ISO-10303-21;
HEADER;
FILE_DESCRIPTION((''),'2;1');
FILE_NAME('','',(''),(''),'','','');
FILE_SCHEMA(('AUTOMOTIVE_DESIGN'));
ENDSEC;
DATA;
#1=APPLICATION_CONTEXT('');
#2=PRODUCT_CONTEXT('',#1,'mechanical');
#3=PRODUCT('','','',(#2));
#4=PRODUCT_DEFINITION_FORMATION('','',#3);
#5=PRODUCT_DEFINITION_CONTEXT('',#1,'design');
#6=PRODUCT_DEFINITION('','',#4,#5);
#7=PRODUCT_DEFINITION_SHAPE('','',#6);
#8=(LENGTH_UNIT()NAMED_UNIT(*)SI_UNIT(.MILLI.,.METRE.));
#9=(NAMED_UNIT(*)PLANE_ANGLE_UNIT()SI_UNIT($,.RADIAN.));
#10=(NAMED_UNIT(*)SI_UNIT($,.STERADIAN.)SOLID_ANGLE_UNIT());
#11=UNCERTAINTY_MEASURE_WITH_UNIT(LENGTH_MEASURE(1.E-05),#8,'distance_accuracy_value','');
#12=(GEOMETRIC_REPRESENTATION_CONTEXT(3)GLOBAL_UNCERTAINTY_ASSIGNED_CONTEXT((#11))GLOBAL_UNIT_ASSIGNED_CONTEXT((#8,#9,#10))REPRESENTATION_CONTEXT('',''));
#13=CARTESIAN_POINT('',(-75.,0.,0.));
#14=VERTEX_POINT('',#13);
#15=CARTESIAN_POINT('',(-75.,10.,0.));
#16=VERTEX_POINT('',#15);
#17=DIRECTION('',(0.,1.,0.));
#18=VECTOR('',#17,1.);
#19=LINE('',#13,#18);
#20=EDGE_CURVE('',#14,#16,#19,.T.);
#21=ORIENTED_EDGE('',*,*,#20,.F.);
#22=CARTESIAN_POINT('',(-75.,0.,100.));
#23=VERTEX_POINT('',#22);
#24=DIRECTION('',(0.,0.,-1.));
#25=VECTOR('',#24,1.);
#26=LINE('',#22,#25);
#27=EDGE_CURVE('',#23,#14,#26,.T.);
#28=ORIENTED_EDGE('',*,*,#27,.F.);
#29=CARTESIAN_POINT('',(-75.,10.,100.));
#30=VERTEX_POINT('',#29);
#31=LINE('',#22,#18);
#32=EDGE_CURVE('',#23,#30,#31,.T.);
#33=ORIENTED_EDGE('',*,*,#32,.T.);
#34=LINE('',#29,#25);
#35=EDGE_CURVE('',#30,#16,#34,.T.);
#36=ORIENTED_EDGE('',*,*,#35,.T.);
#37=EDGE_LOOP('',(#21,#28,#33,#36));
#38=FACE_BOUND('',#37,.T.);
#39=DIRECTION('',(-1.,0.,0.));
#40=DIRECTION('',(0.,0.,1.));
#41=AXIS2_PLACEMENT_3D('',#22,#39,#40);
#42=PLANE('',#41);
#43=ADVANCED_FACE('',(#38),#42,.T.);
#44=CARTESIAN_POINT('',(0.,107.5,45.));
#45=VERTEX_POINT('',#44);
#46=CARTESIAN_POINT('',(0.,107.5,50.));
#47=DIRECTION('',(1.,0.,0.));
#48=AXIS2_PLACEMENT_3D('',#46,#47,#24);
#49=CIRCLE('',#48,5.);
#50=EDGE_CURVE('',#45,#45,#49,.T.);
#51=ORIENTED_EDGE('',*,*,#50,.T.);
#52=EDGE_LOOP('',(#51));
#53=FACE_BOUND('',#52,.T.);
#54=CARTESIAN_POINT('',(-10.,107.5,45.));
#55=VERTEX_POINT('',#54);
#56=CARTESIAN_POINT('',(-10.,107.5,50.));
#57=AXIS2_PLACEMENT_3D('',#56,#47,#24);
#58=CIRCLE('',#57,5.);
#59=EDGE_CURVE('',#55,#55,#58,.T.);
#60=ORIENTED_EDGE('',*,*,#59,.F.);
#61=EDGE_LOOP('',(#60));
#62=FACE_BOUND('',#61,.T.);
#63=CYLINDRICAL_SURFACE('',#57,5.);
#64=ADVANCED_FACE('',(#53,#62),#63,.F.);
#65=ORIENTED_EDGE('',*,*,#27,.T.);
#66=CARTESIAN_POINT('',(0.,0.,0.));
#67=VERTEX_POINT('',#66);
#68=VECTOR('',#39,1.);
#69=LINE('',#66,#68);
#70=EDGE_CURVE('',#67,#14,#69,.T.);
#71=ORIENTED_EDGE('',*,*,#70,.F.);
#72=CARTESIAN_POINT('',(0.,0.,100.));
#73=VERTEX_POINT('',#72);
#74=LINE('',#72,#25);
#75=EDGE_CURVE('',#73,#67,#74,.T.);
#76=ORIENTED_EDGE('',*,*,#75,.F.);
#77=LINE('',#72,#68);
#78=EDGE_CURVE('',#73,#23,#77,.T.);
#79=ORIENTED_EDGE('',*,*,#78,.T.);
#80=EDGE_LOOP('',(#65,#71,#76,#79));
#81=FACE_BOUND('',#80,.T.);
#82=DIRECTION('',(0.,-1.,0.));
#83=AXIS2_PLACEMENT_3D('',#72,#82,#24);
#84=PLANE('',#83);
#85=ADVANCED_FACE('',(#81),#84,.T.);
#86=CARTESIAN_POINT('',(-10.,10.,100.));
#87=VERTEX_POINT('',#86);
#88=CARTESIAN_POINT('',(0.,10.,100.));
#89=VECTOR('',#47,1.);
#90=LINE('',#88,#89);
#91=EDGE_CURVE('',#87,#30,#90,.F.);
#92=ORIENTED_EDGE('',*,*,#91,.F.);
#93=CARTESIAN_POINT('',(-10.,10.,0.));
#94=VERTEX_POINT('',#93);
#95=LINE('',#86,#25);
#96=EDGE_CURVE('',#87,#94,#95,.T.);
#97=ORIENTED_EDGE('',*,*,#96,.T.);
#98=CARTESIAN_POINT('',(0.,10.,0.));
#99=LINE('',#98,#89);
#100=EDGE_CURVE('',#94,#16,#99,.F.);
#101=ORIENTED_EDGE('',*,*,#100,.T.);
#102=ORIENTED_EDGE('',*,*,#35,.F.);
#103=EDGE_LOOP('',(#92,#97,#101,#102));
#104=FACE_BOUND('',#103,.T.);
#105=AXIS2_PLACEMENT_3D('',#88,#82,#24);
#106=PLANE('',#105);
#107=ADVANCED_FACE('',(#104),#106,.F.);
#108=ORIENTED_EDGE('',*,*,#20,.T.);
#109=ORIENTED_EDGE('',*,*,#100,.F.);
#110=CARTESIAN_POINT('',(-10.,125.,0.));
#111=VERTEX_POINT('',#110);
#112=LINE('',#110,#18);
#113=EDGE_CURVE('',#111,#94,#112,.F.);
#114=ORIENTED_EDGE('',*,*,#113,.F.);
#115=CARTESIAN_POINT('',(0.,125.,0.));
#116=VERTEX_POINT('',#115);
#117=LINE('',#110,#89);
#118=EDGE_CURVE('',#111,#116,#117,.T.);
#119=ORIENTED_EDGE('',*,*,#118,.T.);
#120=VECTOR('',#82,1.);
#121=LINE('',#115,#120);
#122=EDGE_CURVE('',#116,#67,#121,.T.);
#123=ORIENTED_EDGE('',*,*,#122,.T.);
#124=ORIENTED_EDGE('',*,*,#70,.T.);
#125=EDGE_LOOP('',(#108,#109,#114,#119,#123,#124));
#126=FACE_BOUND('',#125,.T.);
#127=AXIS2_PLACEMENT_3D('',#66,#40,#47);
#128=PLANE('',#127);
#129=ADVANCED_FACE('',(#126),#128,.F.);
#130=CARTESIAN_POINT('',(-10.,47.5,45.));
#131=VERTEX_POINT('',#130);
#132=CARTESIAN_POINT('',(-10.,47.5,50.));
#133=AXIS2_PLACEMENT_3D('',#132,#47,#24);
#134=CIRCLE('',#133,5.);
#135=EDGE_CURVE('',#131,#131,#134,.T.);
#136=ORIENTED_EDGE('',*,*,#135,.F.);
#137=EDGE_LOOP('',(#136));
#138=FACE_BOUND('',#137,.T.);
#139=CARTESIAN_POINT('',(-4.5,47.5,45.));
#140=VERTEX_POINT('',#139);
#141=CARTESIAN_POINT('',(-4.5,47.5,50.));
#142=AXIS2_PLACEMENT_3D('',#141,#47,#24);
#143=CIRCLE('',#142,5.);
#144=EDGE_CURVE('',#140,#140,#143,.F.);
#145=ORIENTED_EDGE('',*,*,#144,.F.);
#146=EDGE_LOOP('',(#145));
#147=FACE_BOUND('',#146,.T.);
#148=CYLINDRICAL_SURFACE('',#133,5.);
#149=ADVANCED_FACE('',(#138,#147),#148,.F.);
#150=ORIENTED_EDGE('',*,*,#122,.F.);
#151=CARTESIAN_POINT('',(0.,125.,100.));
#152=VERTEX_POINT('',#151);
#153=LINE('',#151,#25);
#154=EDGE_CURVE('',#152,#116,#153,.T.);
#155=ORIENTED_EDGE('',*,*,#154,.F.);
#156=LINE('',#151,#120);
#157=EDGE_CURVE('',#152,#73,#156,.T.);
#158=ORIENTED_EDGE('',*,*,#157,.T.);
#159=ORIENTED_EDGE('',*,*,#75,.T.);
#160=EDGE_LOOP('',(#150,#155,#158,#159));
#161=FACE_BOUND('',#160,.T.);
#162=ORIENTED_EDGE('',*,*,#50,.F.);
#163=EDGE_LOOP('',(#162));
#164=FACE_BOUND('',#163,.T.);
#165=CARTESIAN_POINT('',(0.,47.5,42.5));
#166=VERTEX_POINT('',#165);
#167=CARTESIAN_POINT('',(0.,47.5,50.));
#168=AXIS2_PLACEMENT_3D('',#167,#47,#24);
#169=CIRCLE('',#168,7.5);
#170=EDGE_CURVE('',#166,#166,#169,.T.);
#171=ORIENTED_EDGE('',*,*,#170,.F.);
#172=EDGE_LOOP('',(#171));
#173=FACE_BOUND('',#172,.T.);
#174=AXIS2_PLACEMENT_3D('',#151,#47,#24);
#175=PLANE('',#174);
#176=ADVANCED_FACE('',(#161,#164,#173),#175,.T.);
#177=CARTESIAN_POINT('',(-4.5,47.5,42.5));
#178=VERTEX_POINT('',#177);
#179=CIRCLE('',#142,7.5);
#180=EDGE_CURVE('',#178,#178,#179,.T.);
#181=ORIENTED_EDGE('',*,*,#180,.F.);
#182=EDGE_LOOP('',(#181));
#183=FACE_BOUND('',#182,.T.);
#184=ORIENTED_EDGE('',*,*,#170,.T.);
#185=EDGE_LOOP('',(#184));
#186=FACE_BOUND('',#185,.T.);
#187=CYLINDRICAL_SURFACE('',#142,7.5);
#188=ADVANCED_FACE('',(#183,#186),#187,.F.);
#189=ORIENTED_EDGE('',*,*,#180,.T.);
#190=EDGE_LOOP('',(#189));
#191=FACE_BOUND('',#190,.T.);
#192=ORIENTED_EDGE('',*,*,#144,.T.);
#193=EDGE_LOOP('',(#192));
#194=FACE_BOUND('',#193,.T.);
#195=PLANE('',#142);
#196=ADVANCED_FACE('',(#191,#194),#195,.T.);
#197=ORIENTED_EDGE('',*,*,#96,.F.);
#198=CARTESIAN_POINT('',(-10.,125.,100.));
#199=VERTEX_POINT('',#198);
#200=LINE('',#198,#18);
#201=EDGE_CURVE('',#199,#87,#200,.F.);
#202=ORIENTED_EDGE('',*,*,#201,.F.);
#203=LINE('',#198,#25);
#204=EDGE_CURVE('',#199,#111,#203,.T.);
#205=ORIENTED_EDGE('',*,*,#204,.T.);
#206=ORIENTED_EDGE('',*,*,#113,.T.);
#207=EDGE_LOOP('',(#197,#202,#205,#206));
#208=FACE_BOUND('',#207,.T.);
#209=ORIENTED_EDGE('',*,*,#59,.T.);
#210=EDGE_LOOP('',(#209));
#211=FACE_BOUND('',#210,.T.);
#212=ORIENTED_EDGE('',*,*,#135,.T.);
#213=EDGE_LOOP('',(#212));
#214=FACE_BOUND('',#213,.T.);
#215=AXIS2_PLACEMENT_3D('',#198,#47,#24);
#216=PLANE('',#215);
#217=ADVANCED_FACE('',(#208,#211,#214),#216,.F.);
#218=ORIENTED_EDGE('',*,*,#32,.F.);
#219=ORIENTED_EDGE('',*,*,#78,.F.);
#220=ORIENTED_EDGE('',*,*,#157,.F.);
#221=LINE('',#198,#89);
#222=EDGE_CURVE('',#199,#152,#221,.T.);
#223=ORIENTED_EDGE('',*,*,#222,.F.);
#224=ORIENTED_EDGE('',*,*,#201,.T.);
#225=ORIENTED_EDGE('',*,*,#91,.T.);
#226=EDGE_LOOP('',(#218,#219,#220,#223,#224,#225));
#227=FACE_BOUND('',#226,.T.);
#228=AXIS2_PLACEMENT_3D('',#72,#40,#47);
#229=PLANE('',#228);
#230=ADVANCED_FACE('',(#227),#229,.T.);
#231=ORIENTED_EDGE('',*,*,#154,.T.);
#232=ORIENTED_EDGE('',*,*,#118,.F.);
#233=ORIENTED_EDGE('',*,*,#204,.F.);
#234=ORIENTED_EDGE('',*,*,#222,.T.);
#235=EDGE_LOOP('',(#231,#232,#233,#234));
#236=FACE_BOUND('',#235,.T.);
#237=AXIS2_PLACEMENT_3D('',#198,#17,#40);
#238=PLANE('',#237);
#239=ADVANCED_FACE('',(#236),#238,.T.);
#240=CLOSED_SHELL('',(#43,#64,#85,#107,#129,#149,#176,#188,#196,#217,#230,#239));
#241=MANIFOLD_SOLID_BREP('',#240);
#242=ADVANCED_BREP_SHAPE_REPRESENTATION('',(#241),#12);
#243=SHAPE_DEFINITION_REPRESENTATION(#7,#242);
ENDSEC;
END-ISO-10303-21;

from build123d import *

# Parameters (mm, degrees)
EXTRUIR_L_MINA1_DEPTH = 100
CROQUIS2_R            = 5
CORTAR_EXTRUIR1_DEPTH = 10
CROQUIS3_R            = 7.5
CORTAR_EXTRUIR2_DEPTH = 4.5


with BuildPart() as part:
    # Croquis1 → Extruir-Lámina1 (new body)
    with BuildSketch(Plane.XY):
        Polygon((0, 125), (0, 0), (-75, 0), (-75, 10), (-10, 10), (-10, 125), align=None)
    extrude(amount=EXTRUIR_L_MINA1_DEPTH)

    # Croquis2 → Cortar-Extruir1 (cut)
    with BuildSketch(Plane(origin=(0, 0, 0), x_dir=(0, 0, -1), z_dir=(1, 0, 0))):
        with Locations((-50, 107.5)):
            Circle(CROQUIS2_R)
        with Locations((-50, 47.5)):
            Circle(CROQUIS2_R)
    extrude(amount=-CORTAR_EXTRUIR1_DEPTH, mode=Mode.SUBTRACT)

    # Croquis3 → Cortar-Extruir2 (cut)
    with BuildSketch(Plane(origin=(0, 0, 0), x_dir=(0, 0, -1), z_dir=(1, 0, 0))):
        with Locations((-50, 47.5)):
            Circle(CROQUIS3_R)
    extrude(amount=-CORTAR_EXTRUIR2_DEPTH, mode=Mode.SUBTRACT)


solid = part.part
